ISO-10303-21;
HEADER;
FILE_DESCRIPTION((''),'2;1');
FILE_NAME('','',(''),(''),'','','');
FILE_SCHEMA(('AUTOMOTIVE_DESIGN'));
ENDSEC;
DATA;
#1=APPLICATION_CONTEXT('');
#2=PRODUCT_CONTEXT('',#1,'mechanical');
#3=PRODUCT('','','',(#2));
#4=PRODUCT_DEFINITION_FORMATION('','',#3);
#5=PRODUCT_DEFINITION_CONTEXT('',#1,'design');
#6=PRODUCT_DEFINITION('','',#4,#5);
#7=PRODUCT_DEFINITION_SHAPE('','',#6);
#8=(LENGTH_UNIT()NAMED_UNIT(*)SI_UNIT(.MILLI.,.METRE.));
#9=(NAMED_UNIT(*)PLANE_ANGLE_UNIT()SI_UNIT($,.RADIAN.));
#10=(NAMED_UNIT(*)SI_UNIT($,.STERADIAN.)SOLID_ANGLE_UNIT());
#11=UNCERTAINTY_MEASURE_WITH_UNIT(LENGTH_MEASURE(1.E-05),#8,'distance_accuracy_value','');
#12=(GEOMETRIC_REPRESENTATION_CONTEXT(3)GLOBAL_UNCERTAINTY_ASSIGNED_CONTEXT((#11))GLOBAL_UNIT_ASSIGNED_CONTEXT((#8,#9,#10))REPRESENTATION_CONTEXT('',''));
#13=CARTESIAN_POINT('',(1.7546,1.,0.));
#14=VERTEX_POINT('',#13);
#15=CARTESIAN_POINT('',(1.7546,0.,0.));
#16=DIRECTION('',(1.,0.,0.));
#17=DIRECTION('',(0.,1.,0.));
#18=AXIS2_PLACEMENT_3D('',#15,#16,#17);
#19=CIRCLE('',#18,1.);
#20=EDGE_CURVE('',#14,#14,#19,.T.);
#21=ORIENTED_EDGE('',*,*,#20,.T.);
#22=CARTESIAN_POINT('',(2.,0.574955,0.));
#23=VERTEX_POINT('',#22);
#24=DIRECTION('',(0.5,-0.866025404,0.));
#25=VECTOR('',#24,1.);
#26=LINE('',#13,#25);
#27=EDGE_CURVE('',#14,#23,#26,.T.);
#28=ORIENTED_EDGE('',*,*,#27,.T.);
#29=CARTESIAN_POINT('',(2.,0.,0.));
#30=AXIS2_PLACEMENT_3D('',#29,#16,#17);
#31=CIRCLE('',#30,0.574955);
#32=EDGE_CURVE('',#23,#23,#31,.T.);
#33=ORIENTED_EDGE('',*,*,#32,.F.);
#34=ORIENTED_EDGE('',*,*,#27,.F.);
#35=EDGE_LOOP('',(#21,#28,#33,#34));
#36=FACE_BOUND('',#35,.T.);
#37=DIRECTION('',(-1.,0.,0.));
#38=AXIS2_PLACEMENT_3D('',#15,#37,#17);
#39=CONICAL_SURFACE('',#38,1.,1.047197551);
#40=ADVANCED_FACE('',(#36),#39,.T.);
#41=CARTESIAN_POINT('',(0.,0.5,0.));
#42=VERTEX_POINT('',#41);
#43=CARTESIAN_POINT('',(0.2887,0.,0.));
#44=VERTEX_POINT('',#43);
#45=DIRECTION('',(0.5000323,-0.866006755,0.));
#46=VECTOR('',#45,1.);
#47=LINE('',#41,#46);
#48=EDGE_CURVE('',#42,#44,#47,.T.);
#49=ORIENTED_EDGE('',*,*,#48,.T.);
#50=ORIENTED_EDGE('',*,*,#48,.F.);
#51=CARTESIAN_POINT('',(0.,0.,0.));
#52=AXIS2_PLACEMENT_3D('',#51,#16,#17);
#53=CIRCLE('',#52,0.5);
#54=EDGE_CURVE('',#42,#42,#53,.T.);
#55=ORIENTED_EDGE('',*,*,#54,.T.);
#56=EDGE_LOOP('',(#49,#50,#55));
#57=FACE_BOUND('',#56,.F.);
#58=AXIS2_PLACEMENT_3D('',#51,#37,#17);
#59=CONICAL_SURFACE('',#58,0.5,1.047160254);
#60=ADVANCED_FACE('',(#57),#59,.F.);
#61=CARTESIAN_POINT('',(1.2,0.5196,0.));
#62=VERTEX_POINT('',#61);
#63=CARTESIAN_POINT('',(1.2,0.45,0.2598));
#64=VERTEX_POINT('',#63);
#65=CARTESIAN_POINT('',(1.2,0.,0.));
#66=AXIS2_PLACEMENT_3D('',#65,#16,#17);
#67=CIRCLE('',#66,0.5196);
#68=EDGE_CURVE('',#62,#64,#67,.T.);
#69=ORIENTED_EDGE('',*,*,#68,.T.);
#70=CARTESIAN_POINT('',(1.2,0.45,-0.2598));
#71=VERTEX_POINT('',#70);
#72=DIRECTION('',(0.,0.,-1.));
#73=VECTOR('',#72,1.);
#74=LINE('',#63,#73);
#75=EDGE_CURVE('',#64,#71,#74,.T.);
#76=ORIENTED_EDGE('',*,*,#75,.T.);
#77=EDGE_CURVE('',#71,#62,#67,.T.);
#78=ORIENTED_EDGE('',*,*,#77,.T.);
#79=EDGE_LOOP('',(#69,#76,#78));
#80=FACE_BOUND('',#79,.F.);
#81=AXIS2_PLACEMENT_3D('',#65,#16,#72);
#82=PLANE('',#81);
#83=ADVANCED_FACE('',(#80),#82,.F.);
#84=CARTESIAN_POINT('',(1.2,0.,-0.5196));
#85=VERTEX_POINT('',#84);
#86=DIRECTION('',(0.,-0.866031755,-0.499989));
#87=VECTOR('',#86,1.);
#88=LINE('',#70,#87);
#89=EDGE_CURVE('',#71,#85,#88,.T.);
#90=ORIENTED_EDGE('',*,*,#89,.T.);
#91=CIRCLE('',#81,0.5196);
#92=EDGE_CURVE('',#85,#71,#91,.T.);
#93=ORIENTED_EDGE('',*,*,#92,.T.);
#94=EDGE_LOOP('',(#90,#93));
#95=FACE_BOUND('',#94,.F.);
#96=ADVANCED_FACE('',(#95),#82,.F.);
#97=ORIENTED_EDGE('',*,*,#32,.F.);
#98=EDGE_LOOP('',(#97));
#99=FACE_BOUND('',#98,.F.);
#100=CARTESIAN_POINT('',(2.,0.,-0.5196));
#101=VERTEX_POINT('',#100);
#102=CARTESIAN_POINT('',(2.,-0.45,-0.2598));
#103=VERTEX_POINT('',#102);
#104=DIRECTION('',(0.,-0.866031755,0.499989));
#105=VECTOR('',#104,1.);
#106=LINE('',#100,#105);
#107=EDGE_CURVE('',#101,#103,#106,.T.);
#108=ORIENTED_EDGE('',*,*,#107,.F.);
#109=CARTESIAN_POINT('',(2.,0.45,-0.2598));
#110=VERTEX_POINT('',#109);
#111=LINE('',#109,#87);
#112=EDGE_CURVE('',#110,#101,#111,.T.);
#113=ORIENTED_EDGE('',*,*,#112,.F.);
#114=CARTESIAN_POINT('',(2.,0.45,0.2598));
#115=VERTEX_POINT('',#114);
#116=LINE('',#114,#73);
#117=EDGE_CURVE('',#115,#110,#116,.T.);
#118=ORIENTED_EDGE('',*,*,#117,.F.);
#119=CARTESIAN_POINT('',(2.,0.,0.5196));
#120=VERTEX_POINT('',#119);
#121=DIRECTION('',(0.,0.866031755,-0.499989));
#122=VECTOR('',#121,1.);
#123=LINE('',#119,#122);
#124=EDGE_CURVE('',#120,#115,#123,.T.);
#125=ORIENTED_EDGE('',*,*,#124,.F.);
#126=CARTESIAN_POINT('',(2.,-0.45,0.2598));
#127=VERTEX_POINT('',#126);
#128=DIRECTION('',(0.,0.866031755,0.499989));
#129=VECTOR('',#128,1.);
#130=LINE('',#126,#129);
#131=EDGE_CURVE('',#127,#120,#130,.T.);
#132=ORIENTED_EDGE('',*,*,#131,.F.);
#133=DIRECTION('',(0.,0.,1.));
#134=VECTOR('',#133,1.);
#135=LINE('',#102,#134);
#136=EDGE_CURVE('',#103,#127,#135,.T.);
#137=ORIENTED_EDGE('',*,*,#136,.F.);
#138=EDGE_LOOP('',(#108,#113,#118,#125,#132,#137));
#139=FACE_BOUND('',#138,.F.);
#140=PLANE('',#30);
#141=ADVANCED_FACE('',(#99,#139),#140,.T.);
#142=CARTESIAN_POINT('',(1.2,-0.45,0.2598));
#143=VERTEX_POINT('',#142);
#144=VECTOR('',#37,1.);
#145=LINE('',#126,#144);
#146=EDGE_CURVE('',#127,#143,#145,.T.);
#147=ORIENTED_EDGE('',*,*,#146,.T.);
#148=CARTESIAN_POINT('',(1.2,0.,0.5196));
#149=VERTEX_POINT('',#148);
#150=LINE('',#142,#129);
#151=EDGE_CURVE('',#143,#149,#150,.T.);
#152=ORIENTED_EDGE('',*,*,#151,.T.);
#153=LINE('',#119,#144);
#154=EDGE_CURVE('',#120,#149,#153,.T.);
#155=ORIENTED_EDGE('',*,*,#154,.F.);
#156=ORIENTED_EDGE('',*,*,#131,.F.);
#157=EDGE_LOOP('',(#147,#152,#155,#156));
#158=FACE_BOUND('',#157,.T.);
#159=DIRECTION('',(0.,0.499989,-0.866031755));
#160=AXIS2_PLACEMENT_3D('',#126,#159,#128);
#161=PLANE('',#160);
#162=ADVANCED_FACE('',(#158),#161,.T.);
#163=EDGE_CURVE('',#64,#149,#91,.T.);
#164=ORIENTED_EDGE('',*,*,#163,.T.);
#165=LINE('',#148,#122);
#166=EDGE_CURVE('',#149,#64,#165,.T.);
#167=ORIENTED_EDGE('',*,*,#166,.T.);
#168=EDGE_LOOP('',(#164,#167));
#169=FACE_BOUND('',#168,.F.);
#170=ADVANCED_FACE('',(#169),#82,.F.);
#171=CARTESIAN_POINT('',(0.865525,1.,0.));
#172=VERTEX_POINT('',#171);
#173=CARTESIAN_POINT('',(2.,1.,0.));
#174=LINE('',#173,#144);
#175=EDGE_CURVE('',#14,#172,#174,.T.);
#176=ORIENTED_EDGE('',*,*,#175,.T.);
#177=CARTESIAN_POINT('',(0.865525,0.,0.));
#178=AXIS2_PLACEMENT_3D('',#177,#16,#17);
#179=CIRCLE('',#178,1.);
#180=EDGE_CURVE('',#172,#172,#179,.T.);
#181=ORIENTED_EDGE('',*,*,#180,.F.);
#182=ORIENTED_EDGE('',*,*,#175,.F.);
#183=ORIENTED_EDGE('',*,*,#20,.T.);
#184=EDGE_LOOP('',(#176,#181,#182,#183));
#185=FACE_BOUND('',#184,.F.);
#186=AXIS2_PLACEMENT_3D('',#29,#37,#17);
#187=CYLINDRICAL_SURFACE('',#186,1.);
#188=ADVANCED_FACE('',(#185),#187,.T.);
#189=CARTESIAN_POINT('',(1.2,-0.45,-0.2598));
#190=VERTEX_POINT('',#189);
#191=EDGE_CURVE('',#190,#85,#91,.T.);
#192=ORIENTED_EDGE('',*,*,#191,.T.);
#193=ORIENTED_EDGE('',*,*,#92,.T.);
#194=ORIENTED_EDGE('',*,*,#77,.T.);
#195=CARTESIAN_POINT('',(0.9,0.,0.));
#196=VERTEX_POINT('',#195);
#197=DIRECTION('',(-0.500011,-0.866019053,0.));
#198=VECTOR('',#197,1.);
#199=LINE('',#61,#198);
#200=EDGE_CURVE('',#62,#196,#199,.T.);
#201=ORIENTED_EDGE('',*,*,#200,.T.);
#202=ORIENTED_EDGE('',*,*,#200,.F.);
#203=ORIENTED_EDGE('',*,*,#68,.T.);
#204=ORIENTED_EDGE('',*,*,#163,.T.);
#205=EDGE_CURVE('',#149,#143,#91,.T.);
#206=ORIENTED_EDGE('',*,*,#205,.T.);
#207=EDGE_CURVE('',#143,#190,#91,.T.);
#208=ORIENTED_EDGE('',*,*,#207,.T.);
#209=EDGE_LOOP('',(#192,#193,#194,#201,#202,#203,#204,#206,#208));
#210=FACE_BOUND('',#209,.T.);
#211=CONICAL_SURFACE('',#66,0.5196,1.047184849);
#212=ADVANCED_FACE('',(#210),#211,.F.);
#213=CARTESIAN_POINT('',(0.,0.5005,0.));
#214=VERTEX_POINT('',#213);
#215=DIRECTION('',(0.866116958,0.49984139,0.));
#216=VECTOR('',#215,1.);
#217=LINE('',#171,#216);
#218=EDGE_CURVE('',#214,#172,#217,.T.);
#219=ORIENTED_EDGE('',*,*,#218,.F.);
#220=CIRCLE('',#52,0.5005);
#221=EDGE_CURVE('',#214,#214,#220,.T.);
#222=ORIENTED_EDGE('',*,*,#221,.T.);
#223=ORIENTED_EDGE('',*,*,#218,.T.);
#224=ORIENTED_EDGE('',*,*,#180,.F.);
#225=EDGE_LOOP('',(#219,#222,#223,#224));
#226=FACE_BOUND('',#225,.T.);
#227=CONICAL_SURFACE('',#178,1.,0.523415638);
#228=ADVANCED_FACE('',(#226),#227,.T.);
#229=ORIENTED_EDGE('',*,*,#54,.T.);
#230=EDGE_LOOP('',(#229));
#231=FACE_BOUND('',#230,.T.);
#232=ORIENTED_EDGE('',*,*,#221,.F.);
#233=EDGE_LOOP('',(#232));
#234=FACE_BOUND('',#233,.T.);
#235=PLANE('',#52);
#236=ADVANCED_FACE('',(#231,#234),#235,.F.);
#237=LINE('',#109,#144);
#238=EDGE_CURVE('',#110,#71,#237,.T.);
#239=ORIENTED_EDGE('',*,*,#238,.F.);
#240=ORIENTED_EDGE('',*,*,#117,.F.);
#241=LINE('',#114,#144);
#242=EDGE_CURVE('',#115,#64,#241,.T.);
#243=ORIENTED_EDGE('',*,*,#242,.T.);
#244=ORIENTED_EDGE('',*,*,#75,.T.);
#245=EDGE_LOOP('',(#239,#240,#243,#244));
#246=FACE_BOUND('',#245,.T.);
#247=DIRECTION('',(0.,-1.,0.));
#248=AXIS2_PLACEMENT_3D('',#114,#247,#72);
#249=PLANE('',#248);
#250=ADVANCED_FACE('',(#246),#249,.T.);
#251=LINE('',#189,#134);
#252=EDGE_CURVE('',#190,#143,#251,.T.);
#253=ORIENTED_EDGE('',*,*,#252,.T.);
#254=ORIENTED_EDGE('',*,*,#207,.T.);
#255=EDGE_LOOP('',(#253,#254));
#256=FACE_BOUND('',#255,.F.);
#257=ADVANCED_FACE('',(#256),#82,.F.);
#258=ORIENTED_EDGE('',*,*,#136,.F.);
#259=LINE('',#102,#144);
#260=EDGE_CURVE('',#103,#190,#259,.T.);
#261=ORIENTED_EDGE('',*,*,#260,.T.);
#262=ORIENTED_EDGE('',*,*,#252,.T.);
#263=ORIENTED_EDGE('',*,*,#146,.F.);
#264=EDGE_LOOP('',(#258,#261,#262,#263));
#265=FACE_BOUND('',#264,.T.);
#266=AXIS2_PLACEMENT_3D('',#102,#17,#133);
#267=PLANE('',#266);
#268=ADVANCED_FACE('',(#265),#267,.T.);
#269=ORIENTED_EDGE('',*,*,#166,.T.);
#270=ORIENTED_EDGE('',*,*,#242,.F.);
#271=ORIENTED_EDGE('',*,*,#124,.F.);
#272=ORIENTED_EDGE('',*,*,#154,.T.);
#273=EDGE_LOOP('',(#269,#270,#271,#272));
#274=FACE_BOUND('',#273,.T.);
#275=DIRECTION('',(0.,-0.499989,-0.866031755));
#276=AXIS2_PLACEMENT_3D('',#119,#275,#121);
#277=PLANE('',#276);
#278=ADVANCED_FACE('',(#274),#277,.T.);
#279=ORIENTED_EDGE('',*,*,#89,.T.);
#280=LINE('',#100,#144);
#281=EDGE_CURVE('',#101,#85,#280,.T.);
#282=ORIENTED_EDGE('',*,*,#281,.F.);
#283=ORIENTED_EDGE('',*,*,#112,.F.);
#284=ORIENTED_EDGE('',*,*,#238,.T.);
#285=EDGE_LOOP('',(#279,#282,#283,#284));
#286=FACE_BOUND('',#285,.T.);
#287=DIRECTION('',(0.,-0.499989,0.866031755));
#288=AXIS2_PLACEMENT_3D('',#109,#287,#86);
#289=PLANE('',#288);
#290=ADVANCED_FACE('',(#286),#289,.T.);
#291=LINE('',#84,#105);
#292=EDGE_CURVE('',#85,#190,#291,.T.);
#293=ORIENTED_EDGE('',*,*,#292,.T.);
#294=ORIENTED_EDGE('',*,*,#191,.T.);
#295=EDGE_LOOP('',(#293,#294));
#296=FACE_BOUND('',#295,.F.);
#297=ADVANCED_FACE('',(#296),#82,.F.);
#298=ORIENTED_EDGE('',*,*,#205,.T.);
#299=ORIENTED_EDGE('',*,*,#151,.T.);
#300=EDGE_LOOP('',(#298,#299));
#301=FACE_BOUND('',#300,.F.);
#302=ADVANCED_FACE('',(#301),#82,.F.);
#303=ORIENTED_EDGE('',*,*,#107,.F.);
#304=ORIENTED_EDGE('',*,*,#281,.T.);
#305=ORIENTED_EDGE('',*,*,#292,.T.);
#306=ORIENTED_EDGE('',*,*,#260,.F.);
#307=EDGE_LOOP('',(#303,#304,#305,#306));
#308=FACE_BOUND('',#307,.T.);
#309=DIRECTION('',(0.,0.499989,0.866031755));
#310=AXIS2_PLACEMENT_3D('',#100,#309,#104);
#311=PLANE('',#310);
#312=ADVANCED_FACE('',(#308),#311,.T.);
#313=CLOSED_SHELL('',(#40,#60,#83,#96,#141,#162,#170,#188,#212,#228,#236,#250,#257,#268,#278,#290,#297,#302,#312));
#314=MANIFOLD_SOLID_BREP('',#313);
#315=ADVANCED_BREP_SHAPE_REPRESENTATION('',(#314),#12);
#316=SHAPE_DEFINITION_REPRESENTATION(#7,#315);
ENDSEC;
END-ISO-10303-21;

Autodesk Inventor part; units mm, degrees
ref_plane "YZ Plane" through (0, 0, 0) normal (1, 0, 0) x (0, 1, 0)
ref_plane "XZ Plane" through (0, 0, 0) normal (0, 1, 0) x (-1, 0, 0)
sketch "Sketch1" plane through (0, 0, 0) normal (0, 0, 1) x (1, 0, 0)
  line L0 (0.2887, 0) -> (0.9, 0)
  line L1 (2, 0.5196) -> (2, 1)
  line L2 (2, 1) -> (0, 1)
  line L3 (2, 0.5196) -> (1.2, 0.5196)
  line L4 (1.2, 0.5196) -> (0.9, 0)
  line L5 (0, 0.5) -> (0.2887, 0)
  line L6 (0, -0.2) -> (0, 1.2) projected
  line L7 (0, 0.5) -> (0, 1)
  point P0 (0, 0)
  dimension "d0" = 0.8
  dimension "d1" = 60
  dimension "d2" = 2
  dimension "d3" = 1.0392
  dimension "d4" = 2
  dimension "d5" = 60
  dimension "d7" = 1
revolve "Body" add sketch "Sketch1" angle 360 about axis through (0.2887, 0, 0) along (1, 0, 0)
sketch "Sketch2" plane through (2, 0, 0) normal (1, 0, 0) x (0, 0, -1)
  circle A0 centre (0, 0) radius 0.5196 projected
  circle A1 centre (0, 0) radius 1 projected
  line L0 (0.5196, 0) -> (0.2598, -0.45)
  line L1 (0.2598, -0.45) -> (-0.2598, -0.45)
  line L2 (-0.2598, -0.45) -> (-0.5196, 0)
  line L3 (-0.5196, 0) -> (-0.2598, 0.45)
  line L4 (-0.2598, 0.45) -> (0.2598, 0.45)
  line L5 (0.2598, 0.45) -> (0.5196, 0)
extrude "Slot" add sketch "Sketch2" against normal blind 0.8 contours L5 A0 | A0 L0 | L4 A0 | A0 L1 | L3 A0 | A0 L2
chamfer "Chamfer1" distance 0.5 angle 60 1 edges at (0, -1, 0) measured on face at (0, 0.8236, -0.0798)
thread "Thread" size "M2x0.4" class "6g" standard "ISO Metric profile" length 2
chamfer "Chamfer2" distance 0.2454 angle 60 1 edges at (2, -1, 0) measured on face at (1.244, 0.9871, -0.1604)
ref_plane "Work Plane1" through (1, 0, 0) normal (0, -0.5, -0.866) x (1, 0, 0)
equation "\"d0\" = INTI"
equation "\"d2\" = NND"
equation "\"d3\" = 1.1547 * SW"
equation "\"d4\" = NLG"
equation "\"d5\" = 0.5 * ANG"
equation "\"d7\" = SPD"
equation "\"d8\" = INTI"
equation "\"d10\" = -0.5 * SPD + 0.5 * NND"
equation "\"d11\" = FAWI"
equation "\"d33\" = -0.5 * SPD + 0.5 * NND"
equation "\"d14\" = NLG"
equation "\"d12\" = -0.5 * GD1 + 0.5 * NND"
equation "\"d13\" = FAWI"
equation "\"d34\" = -0.5 * GD1 + 0.5 * NND"
equation "\"NND\" = 2"
equation "\"NLG\" = 2"
equation "\"INTI\" = 0.8"
equation "\"FAWI\" = 60deg"
equation "\"SW\" = 0.9"
equation "\"GD1\" = THREADDIA - 1.2269 * PTC"
equation "\"ANG\" = 120deg"
equation "\"FAWI1\" = 45deg"
equation "\"SPD\" = 1"
equation "\"GUL\" = 0.61345 * PTC"
equation "\"TOA\" = 30deg"
equation "\"THREADDIA\" = 2"
equation "\"PTC\" = 0.4"
equation "\"GAL\" = 0.61345 * PTC"
equation "\"E0\" = 1.155 * SW"
properties part number "ISO 4029 - M2 x 2(1)" material "Stainless Steel, 440C"
